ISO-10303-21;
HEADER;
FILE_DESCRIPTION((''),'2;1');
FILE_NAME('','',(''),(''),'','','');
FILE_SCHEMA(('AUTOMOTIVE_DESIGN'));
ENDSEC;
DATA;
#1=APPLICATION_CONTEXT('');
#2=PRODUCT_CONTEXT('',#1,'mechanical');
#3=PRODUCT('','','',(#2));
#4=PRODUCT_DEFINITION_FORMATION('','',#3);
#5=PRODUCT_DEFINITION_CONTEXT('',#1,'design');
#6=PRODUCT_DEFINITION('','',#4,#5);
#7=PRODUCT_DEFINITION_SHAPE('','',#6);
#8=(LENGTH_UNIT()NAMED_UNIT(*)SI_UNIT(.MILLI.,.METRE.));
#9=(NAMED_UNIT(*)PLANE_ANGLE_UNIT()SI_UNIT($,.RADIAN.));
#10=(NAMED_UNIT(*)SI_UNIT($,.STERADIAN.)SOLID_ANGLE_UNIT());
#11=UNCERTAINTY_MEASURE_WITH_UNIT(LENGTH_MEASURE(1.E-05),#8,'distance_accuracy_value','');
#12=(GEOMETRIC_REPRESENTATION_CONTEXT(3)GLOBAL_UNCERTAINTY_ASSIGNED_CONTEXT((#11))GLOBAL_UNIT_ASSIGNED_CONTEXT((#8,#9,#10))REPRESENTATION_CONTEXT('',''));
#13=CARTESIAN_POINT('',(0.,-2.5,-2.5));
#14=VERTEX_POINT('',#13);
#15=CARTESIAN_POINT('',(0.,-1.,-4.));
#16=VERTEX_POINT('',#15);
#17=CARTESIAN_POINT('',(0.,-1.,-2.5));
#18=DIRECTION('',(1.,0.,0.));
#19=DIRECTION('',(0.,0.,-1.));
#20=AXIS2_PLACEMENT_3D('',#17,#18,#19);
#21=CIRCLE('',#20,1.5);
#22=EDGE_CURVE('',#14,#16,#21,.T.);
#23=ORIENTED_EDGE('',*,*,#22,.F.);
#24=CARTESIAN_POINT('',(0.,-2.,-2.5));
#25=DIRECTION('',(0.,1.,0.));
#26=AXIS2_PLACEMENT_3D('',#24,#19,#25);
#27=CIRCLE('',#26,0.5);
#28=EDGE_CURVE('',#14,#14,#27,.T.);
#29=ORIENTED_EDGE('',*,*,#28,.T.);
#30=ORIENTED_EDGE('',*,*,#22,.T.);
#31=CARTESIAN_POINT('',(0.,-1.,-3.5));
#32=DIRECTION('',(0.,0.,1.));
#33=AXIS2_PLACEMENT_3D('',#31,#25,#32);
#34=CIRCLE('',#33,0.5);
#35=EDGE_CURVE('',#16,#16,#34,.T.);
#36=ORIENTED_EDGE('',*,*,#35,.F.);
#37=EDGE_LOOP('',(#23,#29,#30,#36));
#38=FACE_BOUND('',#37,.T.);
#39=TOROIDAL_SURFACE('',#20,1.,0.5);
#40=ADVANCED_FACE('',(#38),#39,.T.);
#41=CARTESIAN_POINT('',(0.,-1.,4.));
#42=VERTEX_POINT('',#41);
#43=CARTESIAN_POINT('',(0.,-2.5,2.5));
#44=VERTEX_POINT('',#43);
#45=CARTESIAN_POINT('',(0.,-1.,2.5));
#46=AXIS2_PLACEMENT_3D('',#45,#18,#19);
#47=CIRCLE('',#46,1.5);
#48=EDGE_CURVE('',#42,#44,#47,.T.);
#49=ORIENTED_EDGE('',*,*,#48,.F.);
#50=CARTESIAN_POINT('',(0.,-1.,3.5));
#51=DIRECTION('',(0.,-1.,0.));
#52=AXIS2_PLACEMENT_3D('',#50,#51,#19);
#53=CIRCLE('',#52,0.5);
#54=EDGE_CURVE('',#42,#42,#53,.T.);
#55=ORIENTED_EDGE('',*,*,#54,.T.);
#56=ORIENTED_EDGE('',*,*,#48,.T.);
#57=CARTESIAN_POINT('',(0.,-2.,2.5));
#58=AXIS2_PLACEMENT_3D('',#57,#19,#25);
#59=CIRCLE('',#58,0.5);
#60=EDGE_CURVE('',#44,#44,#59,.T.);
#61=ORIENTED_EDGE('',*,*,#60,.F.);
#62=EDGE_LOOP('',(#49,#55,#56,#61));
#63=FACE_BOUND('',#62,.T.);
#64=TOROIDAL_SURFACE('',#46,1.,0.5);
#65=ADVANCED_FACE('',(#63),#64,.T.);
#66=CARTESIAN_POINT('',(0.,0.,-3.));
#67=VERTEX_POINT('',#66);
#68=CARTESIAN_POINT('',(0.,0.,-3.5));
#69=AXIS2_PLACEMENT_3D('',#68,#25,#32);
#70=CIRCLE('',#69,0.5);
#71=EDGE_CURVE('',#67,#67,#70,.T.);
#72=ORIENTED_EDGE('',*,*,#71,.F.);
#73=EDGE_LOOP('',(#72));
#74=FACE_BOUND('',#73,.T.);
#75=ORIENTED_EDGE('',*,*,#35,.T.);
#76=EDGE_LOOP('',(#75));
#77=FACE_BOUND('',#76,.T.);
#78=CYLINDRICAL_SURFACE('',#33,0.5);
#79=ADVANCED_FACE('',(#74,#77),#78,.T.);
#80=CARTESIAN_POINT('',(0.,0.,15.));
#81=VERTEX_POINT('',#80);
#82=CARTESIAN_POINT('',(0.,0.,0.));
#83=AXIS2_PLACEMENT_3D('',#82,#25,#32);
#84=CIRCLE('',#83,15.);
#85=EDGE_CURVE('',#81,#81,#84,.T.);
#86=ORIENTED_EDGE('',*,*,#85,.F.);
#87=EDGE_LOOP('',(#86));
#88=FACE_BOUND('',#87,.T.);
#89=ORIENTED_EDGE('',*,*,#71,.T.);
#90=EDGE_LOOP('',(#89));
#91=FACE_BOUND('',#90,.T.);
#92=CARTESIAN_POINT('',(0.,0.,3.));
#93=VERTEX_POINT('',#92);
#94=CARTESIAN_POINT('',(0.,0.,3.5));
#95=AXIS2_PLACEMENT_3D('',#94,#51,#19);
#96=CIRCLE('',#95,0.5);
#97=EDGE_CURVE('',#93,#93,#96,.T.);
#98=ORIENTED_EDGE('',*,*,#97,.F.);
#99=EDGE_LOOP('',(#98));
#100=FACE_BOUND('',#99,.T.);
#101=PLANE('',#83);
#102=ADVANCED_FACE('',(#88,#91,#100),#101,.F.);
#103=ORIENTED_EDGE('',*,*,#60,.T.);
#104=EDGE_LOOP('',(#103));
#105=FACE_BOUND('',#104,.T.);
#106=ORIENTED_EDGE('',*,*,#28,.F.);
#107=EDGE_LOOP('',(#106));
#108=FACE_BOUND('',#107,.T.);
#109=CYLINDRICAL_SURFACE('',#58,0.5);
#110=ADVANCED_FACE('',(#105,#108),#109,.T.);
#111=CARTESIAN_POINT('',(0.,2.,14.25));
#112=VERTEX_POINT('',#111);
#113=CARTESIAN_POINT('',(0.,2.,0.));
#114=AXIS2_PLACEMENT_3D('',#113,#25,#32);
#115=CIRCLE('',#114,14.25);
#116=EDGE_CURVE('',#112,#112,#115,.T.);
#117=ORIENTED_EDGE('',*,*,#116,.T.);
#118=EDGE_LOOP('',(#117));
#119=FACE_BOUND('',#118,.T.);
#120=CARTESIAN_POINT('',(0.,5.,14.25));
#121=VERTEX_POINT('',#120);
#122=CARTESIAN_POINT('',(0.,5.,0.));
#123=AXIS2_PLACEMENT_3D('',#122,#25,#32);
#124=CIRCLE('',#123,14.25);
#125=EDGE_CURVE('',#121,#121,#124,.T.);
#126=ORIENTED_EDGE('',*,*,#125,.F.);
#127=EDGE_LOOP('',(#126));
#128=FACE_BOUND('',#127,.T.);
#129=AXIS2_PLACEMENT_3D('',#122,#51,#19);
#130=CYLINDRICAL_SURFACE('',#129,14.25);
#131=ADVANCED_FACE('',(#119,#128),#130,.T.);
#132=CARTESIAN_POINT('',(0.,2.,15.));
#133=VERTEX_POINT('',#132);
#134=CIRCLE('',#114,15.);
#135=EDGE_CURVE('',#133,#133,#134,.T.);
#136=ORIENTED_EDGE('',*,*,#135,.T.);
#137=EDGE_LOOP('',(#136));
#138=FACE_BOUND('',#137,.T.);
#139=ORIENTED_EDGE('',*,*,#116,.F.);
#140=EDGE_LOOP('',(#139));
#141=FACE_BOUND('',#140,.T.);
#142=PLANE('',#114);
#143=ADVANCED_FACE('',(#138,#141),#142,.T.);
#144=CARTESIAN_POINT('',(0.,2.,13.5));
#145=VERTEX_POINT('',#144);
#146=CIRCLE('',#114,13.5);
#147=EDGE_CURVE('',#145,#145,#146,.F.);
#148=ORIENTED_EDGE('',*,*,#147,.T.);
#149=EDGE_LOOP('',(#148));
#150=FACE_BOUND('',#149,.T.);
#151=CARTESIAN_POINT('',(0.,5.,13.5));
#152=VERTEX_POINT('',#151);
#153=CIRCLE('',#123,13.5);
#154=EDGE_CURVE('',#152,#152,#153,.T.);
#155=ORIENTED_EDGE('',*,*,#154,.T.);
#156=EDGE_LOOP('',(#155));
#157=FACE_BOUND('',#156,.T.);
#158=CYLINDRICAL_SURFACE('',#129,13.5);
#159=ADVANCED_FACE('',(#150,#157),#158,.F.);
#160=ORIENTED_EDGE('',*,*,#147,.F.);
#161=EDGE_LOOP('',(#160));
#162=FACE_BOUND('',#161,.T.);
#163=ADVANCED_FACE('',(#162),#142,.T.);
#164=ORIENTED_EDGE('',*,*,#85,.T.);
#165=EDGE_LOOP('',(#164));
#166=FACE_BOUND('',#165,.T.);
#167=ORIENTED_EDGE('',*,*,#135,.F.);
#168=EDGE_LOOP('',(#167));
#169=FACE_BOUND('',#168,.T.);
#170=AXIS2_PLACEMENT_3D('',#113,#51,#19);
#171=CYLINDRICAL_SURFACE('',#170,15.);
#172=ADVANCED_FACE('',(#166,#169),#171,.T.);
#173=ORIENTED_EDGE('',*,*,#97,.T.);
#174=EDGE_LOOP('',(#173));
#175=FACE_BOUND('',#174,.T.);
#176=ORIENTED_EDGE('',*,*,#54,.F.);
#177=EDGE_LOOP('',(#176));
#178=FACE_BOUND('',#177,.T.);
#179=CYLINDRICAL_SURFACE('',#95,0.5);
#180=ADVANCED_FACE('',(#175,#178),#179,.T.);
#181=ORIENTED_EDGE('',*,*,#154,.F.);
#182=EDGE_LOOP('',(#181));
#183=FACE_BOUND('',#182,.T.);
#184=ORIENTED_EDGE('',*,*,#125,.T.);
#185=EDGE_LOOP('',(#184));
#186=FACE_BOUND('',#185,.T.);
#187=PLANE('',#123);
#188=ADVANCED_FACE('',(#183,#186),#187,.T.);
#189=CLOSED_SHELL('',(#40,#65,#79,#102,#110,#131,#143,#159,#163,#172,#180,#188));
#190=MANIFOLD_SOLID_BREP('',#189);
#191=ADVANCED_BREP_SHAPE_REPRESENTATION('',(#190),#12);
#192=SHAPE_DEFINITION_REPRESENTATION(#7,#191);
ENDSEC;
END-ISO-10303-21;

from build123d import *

# Parameters (mm, degrees)
SKETCH1_R           = 15
BOSS_EXTRUDE3_DEPTH = 2
SKETCH2_R           = 14.25
SKETCH2_R_2         = 13.5
BOSS_EXTRUDE4_DEPTH = 3
SKETCH6_R           = 0.5


with BuildPart() as part:
    # Sketch1 → Boss-Extrude3 (new body)
    with BuildSketch(Plane(origin=(0, 0, 0), x_dir=(1, 0, 0), z_dir=(0, 1, 0))):
        with Locations(Location((0, 0, 0), (0, 0, 270))):
            Circle(SKETCH1_R)
    extrude(amount=BOSS_EXTRUDE3_DEPTH)

    # Sketch2 → Boss-Extrude4 (add)
    with BuildSketch(Plane(origin=(0, 2, 0), x_dir=(1, 0, 0), z_dir=(0, 1, 0))):
        with Locations(Location((0, 0, 0), (0, 0, 270))):
            Circle(SKETCH2_R)
        with Locations(Location((0, 0, 0), (0, 0, 270))):
            Circle(SKETCH2_R_2, mode=Mode.SUBTRACT)
    extrude(amount=BOSS_EXTRUDE4_DEPTH)

    # Sweep1: sweep along a path in Sketch7
    with BuildLine(Plane(origin=(0, 0, 0), x_dir=(0, 0, -1), z_dir=(1, 0, 0))) as sweep1_path:
        Line((-3.5, 0), (-3.5, -1))
        ThreePointArc((-3.5, -1), (-3.207106781, -1.707106781), (-2.5, -2))
        Line((-2.5, -2), (2.5, -2))
        ThreePointArc((2.5, -2), (3.207106781, -1.707106781), (3.5, -1))
        Line((3.5, -1), (3.5, 0))
    # Sketch6 → Sweep1 (sweep)
    with BuildSketch(Plane.XZ):
        with Locations((0, 3.5)):
            Circle(SKETCH6_R)
    sweep(path=sweep1_path.line)


solid = part.part
